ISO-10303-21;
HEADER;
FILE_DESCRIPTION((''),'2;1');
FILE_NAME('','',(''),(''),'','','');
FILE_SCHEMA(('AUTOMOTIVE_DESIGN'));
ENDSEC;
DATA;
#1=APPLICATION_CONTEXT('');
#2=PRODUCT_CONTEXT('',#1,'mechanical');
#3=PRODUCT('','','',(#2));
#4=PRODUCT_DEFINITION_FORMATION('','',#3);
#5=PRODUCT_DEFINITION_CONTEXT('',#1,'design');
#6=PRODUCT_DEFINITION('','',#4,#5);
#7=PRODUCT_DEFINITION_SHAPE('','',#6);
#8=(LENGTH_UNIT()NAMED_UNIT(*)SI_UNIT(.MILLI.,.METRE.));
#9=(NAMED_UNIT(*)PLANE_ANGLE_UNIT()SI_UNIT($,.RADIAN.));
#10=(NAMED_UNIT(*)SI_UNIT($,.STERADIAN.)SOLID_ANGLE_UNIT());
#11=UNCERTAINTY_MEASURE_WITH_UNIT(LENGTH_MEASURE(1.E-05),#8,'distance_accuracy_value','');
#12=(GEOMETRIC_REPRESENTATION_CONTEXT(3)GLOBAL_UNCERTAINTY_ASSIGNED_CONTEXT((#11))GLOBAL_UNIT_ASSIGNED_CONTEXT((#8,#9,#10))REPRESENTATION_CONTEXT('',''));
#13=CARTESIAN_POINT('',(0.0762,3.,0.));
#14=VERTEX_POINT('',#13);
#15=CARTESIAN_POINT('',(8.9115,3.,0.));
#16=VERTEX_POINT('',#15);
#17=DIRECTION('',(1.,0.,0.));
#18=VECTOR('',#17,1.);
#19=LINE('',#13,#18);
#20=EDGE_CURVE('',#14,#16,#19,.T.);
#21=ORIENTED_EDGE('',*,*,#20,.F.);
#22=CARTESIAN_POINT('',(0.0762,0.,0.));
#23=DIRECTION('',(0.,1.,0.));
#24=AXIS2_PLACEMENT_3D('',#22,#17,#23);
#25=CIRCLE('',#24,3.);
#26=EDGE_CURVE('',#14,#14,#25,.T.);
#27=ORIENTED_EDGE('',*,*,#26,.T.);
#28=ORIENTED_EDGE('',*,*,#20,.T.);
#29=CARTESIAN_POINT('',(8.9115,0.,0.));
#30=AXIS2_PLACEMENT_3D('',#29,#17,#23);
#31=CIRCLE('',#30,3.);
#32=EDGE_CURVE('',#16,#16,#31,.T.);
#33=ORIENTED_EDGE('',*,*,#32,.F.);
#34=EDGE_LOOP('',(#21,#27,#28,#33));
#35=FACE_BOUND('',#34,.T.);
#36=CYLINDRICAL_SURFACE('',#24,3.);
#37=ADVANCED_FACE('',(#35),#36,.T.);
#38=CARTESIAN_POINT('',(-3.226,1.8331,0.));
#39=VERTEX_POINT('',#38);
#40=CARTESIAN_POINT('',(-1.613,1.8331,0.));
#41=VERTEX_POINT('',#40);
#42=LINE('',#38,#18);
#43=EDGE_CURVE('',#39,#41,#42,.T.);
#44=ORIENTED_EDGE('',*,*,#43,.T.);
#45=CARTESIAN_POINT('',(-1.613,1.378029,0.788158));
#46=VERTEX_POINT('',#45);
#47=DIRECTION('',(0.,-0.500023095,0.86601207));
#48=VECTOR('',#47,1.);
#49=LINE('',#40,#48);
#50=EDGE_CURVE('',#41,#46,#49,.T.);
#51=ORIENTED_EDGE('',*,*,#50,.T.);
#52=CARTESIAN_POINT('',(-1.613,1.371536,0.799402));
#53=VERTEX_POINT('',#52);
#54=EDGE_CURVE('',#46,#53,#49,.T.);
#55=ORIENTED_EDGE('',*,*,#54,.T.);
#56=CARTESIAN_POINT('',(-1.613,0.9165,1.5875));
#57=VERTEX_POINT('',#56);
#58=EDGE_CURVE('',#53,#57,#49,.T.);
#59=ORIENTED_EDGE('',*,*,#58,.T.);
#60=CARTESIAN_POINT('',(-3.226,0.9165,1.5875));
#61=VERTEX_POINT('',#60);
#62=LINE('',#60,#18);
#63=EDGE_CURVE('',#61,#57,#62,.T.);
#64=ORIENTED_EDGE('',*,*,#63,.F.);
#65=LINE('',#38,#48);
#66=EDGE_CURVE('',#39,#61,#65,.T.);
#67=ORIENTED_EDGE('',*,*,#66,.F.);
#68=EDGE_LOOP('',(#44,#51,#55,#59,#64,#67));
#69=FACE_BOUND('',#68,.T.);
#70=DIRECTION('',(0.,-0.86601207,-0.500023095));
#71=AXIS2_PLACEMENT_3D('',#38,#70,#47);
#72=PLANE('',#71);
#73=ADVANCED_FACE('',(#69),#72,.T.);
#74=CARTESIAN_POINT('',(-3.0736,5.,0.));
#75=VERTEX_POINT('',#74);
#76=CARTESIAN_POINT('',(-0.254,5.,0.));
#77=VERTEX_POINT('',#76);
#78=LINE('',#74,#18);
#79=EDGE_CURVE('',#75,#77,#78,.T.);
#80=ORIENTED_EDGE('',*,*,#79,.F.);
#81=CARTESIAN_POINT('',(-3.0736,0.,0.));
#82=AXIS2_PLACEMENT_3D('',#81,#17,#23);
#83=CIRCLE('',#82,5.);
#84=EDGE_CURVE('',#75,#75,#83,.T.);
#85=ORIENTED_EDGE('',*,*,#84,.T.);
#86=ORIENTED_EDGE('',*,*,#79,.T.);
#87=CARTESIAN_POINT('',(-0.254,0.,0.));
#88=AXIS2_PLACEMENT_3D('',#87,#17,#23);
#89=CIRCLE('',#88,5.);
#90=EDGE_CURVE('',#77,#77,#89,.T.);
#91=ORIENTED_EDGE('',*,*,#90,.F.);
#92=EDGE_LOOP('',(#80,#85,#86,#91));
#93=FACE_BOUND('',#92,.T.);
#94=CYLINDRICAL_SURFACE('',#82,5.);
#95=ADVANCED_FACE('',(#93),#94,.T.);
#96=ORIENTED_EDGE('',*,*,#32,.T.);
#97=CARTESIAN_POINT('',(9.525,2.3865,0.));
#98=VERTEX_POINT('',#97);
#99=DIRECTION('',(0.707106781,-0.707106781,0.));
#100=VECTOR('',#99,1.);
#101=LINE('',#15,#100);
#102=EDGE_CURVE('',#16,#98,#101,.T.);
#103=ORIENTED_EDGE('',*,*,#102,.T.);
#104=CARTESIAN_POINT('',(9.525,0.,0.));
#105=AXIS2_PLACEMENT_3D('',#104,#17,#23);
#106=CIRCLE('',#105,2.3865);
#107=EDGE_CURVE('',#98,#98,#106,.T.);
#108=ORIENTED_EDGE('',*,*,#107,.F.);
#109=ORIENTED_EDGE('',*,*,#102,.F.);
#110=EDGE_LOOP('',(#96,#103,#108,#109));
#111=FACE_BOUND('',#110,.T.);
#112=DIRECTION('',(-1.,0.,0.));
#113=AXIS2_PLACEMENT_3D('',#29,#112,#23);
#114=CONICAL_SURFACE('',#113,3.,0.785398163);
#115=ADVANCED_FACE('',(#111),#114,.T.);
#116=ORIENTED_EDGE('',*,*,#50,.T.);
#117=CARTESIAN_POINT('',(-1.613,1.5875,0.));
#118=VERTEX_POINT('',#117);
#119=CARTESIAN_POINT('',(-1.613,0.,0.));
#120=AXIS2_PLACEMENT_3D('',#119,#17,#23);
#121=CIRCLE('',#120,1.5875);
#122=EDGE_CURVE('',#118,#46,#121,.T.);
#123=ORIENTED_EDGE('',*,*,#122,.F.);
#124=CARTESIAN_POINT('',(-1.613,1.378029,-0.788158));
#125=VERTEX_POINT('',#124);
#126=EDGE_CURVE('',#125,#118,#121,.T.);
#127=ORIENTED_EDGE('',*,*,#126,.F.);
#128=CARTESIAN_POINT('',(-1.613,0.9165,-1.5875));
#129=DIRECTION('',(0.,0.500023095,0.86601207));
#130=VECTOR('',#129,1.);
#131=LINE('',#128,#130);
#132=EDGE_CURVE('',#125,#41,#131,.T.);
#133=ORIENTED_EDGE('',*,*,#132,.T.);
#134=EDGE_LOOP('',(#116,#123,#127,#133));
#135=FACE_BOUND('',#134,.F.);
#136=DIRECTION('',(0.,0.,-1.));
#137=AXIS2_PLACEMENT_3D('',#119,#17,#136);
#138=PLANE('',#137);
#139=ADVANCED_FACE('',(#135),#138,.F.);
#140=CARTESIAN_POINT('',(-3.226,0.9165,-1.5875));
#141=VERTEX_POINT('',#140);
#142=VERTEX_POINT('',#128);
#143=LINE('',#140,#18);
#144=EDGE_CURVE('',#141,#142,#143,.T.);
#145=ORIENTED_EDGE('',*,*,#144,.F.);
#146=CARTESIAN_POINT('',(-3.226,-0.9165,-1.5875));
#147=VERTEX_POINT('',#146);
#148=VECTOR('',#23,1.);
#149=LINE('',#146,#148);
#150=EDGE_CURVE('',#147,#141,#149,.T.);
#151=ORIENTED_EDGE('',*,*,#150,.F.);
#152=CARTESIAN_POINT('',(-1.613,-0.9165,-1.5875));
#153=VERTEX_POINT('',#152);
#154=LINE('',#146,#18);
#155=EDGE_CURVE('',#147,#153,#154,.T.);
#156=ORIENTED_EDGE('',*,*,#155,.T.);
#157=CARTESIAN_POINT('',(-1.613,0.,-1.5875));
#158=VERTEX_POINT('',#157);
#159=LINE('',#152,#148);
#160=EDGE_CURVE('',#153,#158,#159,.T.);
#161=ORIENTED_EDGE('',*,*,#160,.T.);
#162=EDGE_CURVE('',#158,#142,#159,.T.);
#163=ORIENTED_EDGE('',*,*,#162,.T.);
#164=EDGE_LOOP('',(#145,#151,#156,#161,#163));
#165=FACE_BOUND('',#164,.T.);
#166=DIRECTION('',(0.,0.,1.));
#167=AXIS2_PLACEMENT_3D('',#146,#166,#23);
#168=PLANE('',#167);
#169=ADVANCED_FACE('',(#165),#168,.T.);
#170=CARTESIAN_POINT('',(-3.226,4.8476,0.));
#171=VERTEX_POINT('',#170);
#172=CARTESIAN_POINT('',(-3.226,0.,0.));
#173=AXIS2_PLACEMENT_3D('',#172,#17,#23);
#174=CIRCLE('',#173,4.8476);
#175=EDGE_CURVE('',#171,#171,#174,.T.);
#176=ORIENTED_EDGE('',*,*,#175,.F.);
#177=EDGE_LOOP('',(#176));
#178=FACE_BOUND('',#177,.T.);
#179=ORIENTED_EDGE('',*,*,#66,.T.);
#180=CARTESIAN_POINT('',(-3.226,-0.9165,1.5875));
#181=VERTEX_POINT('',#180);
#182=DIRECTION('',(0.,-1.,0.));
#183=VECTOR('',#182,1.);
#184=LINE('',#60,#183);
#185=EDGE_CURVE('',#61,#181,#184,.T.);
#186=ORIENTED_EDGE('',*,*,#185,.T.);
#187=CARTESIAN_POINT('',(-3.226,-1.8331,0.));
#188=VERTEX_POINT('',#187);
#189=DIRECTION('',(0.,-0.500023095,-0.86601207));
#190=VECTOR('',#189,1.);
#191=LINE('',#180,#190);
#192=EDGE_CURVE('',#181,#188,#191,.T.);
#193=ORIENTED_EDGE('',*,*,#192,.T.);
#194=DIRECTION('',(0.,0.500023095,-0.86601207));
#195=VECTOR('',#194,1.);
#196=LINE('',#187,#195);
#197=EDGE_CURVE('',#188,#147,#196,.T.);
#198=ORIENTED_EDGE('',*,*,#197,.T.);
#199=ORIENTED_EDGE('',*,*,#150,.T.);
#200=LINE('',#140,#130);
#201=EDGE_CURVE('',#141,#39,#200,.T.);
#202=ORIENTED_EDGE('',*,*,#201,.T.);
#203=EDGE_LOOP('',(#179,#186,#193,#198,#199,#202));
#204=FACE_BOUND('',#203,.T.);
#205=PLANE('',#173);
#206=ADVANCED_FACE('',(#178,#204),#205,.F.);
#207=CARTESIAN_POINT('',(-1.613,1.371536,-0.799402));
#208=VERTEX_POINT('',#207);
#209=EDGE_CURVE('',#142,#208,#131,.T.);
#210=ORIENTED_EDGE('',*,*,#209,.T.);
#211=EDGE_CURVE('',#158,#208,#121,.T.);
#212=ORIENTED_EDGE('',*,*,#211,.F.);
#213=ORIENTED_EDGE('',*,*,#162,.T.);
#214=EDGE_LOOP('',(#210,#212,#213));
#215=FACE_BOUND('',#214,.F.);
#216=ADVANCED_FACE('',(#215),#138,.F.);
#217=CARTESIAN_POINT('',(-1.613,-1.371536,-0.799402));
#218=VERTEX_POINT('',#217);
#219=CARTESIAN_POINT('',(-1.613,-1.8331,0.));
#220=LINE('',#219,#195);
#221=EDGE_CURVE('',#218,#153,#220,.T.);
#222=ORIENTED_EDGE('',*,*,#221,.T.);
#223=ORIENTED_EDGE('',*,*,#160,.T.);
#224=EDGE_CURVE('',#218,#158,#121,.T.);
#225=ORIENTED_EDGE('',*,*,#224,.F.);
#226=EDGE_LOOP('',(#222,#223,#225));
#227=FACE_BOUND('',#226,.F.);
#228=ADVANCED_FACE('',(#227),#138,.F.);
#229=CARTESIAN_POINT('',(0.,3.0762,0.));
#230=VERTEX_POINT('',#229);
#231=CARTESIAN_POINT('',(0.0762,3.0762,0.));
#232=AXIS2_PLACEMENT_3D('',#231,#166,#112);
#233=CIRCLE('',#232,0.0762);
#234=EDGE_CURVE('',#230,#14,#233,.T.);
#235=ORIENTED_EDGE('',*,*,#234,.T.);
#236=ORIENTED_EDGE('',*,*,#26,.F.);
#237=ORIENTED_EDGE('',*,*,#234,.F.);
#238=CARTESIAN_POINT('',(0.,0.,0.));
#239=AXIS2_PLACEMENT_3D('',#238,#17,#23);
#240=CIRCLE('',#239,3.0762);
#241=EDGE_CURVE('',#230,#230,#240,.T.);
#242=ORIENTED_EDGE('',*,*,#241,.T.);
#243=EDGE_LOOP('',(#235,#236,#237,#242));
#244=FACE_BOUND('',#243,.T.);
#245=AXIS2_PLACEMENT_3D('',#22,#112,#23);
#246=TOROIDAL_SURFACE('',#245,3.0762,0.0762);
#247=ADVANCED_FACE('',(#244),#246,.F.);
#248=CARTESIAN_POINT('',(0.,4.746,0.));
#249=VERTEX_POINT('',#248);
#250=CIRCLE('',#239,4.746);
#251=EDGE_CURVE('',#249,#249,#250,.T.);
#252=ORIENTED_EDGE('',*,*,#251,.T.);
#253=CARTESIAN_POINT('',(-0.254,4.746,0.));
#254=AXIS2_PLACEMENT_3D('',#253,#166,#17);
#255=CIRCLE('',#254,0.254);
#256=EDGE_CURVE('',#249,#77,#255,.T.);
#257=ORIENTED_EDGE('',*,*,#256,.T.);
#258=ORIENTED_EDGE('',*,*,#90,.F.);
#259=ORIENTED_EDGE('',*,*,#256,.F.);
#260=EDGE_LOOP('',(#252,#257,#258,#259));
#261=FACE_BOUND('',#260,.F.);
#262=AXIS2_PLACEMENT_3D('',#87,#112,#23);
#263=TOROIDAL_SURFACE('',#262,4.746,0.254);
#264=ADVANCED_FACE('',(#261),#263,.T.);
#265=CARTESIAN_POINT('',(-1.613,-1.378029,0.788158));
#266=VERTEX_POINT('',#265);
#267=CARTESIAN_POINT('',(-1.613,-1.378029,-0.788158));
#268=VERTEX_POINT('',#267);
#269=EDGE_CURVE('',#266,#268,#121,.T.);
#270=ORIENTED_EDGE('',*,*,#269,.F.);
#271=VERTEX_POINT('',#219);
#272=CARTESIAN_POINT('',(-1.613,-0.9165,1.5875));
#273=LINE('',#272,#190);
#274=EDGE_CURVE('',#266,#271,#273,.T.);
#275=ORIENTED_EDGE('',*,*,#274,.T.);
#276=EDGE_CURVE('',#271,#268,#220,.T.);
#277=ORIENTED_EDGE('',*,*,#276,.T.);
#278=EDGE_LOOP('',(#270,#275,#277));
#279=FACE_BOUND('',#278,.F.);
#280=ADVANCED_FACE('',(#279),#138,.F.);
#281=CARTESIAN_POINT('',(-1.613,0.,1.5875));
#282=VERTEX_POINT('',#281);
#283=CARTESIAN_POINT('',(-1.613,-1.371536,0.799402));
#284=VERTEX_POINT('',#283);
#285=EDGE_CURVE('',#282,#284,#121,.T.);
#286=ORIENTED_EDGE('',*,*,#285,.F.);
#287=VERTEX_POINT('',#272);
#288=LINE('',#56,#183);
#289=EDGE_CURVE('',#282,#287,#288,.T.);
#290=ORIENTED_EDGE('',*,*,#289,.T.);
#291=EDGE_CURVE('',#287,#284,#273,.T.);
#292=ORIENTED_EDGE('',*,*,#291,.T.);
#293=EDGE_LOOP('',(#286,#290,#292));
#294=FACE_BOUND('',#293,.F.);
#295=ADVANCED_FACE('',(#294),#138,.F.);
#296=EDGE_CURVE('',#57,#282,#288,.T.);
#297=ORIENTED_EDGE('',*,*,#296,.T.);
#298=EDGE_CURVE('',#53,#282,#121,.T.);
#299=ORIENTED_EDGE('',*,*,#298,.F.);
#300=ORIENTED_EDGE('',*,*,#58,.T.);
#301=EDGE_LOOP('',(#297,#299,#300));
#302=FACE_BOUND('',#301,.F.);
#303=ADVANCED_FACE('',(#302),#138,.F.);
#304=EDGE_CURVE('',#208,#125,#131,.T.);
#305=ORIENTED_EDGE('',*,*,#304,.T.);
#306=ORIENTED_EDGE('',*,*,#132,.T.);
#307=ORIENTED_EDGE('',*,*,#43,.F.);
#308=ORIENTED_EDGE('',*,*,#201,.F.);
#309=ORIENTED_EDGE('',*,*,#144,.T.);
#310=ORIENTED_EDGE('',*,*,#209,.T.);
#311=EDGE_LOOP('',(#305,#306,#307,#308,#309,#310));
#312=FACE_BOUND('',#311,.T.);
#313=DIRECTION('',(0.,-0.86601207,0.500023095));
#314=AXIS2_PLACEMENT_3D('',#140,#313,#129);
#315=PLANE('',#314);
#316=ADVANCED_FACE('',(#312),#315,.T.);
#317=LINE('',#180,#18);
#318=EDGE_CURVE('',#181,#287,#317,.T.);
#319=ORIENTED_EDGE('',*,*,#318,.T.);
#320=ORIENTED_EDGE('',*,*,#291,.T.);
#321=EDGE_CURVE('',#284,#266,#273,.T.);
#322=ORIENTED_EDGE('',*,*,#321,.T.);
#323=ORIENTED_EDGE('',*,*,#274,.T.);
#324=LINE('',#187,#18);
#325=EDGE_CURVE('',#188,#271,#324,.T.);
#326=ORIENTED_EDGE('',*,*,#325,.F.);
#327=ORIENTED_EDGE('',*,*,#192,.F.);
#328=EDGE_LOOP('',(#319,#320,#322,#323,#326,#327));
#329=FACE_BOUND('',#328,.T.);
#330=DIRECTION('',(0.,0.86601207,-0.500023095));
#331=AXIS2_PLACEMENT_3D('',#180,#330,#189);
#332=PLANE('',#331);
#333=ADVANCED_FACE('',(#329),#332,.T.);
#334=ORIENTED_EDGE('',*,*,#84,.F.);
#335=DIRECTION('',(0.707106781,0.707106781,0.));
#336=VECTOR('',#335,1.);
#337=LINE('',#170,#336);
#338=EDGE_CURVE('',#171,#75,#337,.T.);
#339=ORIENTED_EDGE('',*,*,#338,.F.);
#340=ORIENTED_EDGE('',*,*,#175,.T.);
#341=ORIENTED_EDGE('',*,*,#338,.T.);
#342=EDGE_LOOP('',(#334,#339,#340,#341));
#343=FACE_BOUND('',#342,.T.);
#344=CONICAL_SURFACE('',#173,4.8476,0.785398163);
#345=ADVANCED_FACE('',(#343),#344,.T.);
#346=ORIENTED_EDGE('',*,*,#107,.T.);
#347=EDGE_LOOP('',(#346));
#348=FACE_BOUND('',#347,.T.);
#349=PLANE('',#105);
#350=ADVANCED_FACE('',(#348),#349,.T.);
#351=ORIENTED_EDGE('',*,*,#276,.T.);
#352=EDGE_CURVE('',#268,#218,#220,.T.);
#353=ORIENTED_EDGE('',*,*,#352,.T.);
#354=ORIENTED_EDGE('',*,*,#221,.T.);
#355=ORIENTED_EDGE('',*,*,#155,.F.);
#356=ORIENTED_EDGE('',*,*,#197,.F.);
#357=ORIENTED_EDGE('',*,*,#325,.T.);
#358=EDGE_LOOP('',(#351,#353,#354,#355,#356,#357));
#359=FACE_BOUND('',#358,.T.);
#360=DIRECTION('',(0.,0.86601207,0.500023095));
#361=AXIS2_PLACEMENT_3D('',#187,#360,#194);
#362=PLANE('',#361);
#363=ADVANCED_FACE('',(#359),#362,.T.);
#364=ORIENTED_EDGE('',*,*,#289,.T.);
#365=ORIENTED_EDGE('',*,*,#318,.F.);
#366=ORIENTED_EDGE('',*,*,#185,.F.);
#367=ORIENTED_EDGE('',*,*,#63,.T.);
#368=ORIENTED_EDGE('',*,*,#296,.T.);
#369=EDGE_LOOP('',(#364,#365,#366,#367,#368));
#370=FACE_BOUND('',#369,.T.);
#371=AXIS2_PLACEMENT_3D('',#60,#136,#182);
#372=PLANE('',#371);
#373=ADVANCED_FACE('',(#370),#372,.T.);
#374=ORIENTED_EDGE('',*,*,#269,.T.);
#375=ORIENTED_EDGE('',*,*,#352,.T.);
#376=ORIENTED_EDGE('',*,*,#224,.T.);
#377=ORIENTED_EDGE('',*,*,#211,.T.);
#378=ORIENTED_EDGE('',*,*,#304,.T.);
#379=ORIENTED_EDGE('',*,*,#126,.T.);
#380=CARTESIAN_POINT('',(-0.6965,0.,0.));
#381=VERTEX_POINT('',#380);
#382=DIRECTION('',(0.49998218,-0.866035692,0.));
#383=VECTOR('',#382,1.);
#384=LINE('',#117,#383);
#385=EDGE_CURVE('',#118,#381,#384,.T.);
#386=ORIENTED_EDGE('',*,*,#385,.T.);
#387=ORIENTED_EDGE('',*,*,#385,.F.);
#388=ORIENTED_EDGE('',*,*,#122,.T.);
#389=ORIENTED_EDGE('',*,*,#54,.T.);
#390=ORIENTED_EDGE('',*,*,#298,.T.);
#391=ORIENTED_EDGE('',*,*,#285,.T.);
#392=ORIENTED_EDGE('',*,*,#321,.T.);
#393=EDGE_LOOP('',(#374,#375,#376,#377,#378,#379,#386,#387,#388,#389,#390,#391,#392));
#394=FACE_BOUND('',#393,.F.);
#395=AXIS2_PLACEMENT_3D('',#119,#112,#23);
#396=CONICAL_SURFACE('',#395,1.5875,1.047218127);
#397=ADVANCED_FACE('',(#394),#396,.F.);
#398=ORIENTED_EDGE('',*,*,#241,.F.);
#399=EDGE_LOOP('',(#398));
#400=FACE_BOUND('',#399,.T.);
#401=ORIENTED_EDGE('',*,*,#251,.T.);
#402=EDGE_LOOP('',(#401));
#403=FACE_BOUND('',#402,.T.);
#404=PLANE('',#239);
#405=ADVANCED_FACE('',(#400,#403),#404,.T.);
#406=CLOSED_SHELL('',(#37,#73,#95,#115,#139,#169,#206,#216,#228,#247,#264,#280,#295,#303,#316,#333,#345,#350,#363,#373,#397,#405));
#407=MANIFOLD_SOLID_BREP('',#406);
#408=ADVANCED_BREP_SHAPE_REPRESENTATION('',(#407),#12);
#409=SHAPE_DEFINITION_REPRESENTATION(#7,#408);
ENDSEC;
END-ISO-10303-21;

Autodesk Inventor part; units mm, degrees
sketch "Sketch_1" plane through (0, 0, 0) normal (0, 0, 1) x (1, 0, 0)
  line L0 (9.525, 0) -> (-3.226, 0)
  line L1 (-3.226, 0) -> (-3.226, 4.8476)
  line L2 (-3.226, 4.8476) -> (-3.0736, 5)
  line L3 (-3.0736, 5) -> (-0.254, 5)
  arc A0 (0, 4.746) -> (-0.254, 5) centre (-0.254, 4.746) ccw
  line L4 (0, 4.746) -> (0, 3.0762)
  arc A1 (0, 3.0762) -> (0.0762, 3) centre (0.0762, 3.0762) ccw
  line L5 (0.0762, 3) -> (8.9115, 3)
  line L6 (8.9115, 3) -> (9.525, 2.3865)
  line L7 (9.525, 2.3865) -> (9.525, 0)
  line L8 (9.525, 0) -> (-3.226, 0)
revolve "Revolution1" add sketch "Sketch_1" angle 360 about axis through (9.525, 0, 0) along (1, 0, 0)
thread "Thread1" size "M6x1" class "6g" standard "ISO Metric profile" length 6.5302
sketch "Sketch_3" plane through (-3.226, 0, 0) normal (1, 0, 0) x (0, 0, -1)
  line L0 (-1.5875, -0.9165) -> (0, -1.8331)
  line L1 (0, -1.8331) -> (1.5875, -0.9165)
  line L2 (1.5875, -0.9165) -> (1.5875, 0.9165)
  line L3 (1.5875, 0.9165) -> (0, 1.8331)
  line L4 (0, 1.8331) -> (-1.5875, 0.9165)
  line L5 (-1.5875, 0.9165) -> (-1.5875, -0.9165)
extrude "Extrusion1" cut sketch "Sketch_3" along normal blind 1.613
sketch "Sketch_4" plane through (0, 0, 0) normal (0, 0, 1) x (1, 0, 0)
  line L0 (-0.6965, 0) -> (-1.613, 0)
  line L1 (-1.613, 0) -> (-1.613, 1.5875)
  line L2 (-1.613, 1.5875) -> (-0.6965, 0)
  line L3 (-0.6965, 0) -> (-1.613, 0)
revolve "Revolution2" cut sketch "Sketch_4" angle 360 about axis through (-0.6965, 0, 0) along (1, 0, 0)
ref_plane "screw_XY" through (0, 0, 0) normal (1, 0, 0) x (0, 0, -1)
ref_plane "screw_YZ" through (0, 0, 0) normal (0, 0, -1) x (0, 1, 0)
ref_plane "screw_ZX" through (0, 0, 0) normal (0, 1, 0) x (1, 0, 0)
ref_plane "screw1_XY" through (9.525, 0, 0) normal (1, 0, 0) x (0, 0, -1)
ref_plane "screw1_YZ" through (9.525, 0, 0) normal (0, 0, -1) x (0, 1, 0)
ref_plane "screw1_ZX" through (9.525, 0, 0) normal (0, 1, 0) x (1, 0, 0)
ref_plane "screw2_XY" through (9.325, 0, 0) normal (1, 0, 0) x (0, 0, -1)
ref_plane "screw2_YZ" through (9.325, 0, 0) normal (0, 0, -1) x (0, 1, 0)
ref_plane "screw2_ZX" through (9.325, 0, 0) normal (0, 1, 0) x (1, 0, 0)
ref_plane "to_tnut_XY" through (0.29, 0, 0) normal (1, 0, 0) x (0, 0, -1)
ref_plane "to_tnut_YZ" through (0.29, 0, 0) normal (0, 0, -1) x (0, 1, 0)
ref_plane "to_tnut_ZX" through (0.29, 0, 0) normal (0, 1, 0) x (1, 0, 0)
properties part number "25-2750-6"
